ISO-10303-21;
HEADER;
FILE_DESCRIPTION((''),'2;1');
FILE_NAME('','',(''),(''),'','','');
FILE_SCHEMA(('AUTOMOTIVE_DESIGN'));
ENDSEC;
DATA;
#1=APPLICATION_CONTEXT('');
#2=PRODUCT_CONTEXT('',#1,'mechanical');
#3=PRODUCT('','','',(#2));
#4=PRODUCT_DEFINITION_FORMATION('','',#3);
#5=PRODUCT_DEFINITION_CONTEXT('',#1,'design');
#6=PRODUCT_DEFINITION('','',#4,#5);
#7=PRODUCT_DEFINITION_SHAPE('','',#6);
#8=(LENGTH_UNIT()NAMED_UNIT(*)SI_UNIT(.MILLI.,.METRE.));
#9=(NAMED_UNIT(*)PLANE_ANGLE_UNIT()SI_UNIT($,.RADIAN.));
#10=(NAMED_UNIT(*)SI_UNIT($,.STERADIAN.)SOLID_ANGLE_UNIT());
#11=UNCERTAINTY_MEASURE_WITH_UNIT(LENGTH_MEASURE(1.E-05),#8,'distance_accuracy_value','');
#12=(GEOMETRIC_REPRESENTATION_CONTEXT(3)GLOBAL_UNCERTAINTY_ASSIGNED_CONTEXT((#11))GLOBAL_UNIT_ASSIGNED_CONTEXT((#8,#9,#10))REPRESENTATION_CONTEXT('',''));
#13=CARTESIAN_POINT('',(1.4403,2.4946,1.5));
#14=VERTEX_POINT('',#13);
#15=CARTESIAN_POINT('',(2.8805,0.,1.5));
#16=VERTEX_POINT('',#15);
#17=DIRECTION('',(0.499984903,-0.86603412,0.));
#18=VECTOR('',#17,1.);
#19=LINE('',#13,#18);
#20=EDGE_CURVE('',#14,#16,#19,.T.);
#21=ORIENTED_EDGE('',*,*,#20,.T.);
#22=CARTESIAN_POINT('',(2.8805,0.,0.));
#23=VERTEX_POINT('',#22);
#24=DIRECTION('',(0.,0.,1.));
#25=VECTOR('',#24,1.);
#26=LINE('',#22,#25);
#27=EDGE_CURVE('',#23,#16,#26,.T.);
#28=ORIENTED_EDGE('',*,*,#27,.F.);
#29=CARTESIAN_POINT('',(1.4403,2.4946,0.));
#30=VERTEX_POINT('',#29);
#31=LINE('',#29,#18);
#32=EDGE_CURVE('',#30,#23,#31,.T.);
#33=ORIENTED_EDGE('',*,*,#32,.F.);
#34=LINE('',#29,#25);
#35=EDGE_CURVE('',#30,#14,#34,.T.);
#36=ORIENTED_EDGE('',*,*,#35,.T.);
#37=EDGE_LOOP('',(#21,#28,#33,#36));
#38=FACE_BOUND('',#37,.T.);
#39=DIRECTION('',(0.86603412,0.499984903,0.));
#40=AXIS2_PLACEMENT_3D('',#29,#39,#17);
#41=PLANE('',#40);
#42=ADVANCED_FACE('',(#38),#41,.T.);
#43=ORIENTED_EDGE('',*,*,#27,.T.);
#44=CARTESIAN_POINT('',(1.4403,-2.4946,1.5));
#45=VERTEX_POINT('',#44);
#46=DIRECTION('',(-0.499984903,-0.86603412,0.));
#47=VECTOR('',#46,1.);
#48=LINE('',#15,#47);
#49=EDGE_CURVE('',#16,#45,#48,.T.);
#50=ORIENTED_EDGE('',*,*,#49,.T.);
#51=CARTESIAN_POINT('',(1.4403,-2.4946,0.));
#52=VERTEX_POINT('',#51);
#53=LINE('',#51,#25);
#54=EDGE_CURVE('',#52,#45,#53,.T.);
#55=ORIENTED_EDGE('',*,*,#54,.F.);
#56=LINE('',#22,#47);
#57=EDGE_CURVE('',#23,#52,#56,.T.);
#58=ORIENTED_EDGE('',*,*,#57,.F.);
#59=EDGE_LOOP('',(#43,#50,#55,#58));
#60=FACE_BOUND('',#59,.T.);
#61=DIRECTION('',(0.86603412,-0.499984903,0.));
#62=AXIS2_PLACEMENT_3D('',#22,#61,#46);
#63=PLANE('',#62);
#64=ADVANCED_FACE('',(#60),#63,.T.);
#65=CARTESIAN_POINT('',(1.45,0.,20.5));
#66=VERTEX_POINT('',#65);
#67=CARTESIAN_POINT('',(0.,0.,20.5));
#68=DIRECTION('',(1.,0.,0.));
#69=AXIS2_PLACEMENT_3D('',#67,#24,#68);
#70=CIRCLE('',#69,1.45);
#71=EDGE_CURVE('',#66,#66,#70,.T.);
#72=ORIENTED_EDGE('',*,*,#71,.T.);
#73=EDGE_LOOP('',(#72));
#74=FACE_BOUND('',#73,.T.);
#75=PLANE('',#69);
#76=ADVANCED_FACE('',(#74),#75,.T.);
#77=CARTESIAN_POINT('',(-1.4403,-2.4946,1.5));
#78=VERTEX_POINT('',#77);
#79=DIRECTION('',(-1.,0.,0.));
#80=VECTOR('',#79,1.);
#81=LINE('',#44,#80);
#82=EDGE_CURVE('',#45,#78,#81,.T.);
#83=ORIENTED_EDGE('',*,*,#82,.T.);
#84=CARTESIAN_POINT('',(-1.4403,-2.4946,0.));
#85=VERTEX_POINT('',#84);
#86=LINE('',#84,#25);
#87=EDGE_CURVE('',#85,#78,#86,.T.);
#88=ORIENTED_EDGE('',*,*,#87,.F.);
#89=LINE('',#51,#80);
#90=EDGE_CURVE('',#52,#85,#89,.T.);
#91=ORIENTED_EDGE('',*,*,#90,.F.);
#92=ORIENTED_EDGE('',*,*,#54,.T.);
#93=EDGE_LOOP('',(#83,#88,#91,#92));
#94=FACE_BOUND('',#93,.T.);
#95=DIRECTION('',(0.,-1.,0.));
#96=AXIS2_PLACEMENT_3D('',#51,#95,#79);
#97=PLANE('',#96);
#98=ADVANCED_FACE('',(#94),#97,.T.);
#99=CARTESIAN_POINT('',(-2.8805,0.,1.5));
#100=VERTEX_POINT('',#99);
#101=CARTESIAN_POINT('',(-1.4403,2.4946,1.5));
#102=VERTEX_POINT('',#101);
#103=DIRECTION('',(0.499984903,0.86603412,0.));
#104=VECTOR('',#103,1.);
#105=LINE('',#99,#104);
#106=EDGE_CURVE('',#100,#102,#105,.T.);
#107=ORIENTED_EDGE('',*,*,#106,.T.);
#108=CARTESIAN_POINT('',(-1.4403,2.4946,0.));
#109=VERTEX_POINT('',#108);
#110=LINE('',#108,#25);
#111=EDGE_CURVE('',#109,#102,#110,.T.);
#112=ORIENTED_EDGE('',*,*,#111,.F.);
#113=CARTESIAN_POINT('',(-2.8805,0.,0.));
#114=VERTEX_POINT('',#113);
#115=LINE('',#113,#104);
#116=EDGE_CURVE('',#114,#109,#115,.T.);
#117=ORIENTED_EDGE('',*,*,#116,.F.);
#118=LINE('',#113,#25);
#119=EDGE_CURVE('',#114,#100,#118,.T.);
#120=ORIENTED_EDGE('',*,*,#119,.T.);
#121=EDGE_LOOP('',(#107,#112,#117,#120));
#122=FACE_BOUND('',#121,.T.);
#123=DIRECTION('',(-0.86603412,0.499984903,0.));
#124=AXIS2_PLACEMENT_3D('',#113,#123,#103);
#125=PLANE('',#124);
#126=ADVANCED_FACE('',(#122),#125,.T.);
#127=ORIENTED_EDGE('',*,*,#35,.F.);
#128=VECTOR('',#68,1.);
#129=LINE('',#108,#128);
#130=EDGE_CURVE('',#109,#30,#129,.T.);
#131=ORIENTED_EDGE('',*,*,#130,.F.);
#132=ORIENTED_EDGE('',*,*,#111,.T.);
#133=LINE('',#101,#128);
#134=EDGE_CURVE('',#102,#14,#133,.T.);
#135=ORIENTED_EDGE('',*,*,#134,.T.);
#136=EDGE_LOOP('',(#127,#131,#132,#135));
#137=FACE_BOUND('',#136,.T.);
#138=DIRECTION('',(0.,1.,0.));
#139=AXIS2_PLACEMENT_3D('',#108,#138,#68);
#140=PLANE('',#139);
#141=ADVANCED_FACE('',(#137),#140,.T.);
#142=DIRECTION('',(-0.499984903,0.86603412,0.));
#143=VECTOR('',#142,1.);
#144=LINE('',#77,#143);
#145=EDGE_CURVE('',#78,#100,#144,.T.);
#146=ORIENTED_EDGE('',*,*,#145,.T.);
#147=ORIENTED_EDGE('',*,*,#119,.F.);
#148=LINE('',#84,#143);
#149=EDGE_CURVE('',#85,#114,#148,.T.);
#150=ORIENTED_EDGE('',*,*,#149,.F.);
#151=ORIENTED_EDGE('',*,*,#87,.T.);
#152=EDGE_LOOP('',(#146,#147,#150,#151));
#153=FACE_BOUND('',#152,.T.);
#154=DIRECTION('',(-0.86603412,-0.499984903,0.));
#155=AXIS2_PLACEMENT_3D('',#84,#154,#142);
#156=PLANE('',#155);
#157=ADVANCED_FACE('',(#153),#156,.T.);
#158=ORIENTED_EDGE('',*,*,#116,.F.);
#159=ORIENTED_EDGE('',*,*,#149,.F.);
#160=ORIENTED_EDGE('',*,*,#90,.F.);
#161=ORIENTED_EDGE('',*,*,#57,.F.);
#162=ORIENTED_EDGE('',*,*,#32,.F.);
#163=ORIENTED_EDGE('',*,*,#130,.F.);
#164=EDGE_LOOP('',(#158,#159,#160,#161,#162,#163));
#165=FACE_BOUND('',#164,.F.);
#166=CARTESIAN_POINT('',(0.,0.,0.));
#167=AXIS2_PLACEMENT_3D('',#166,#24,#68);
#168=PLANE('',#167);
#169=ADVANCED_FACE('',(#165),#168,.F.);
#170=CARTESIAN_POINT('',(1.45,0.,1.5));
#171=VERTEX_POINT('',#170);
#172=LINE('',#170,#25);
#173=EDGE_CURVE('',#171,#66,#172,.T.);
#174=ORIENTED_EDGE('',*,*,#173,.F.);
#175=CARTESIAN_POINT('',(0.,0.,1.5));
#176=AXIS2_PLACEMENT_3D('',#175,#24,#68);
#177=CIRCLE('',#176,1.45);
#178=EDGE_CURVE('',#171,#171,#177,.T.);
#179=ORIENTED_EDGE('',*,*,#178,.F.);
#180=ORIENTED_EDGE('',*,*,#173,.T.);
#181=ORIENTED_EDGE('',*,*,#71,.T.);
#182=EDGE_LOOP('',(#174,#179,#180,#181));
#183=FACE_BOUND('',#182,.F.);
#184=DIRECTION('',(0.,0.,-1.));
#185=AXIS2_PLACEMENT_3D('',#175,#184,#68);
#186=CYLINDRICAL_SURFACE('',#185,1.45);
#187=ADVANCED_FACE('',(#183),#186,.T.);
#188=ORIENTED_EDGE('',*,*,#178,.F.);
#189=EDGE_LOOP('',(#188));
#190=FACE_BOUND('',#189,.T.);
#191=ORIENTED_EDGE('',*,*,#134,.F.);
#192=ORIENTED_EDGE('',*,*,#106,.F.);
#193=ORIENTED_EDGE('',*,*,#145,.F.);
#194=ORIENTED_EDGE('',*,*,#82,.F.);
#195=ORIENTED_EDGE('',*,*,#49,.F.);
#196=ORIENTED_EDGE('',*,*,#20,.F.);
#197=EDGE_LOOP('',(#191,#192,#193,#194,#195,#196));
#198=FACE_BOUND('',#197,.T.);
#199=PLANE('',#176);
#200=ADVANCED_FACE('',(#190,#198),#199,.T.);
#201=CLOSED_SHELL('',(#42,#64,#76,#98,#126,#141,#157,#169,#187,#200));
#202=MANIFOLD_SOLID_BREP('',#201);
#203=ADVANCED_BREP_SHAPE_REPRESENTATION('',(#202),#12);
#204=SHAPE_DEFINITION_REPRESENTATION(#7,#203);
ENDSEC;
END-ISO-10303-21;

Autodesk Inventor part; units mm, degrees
ref_plane "YZ Plane" through (0, 0, 0) normal (1, 0, 0) x (0, 1, 0)
ref_plane "XZ Plane" through (0, 0, 0) normal (0, 1, 0) x (-1, 0, 0)
ref_plane "XY Plane" through (0, 0, 0) normal (0, 0, 1) x (1, 0, 0)
sketch "Boceto1" plane through (0, 0, 0) normal (0, 0, 1) x (1, 0, 0)
  line L0 (-2.8805, 0) -> (-1.4403, 2.4946)
  line L1 (-1.4403, 2.4946) -> (1.4403, 2.4946)
  line L2 (1.4403, 2.4946) -> (2.8805, 0)
  line L3 (2.8805, 0) -> (1.4403, -2.4946)
  line L4 (1.4403, -2.4946) -> (-1.4403, -2.4946)
  line L5 (-1.4403, -2.4946) -> (-2.8805, 0)
  point P0 (0, 0)
  point P1 (0, 0)
extrude "Extrusión1" add sketch "Boceto1" along normal blind 1.5
sketch "Boceto2" plane through (0, 0, 1.5) normal (0, 0, 1) x (1, 0, 0)
  circle A0 centre (0, 0) radius 1.45
  dimension "d3" = 2.9
extrude "Extrusión2" add sketch "Boceto2" along normal blind 19
properties part number "Tornillo final de carrera"
